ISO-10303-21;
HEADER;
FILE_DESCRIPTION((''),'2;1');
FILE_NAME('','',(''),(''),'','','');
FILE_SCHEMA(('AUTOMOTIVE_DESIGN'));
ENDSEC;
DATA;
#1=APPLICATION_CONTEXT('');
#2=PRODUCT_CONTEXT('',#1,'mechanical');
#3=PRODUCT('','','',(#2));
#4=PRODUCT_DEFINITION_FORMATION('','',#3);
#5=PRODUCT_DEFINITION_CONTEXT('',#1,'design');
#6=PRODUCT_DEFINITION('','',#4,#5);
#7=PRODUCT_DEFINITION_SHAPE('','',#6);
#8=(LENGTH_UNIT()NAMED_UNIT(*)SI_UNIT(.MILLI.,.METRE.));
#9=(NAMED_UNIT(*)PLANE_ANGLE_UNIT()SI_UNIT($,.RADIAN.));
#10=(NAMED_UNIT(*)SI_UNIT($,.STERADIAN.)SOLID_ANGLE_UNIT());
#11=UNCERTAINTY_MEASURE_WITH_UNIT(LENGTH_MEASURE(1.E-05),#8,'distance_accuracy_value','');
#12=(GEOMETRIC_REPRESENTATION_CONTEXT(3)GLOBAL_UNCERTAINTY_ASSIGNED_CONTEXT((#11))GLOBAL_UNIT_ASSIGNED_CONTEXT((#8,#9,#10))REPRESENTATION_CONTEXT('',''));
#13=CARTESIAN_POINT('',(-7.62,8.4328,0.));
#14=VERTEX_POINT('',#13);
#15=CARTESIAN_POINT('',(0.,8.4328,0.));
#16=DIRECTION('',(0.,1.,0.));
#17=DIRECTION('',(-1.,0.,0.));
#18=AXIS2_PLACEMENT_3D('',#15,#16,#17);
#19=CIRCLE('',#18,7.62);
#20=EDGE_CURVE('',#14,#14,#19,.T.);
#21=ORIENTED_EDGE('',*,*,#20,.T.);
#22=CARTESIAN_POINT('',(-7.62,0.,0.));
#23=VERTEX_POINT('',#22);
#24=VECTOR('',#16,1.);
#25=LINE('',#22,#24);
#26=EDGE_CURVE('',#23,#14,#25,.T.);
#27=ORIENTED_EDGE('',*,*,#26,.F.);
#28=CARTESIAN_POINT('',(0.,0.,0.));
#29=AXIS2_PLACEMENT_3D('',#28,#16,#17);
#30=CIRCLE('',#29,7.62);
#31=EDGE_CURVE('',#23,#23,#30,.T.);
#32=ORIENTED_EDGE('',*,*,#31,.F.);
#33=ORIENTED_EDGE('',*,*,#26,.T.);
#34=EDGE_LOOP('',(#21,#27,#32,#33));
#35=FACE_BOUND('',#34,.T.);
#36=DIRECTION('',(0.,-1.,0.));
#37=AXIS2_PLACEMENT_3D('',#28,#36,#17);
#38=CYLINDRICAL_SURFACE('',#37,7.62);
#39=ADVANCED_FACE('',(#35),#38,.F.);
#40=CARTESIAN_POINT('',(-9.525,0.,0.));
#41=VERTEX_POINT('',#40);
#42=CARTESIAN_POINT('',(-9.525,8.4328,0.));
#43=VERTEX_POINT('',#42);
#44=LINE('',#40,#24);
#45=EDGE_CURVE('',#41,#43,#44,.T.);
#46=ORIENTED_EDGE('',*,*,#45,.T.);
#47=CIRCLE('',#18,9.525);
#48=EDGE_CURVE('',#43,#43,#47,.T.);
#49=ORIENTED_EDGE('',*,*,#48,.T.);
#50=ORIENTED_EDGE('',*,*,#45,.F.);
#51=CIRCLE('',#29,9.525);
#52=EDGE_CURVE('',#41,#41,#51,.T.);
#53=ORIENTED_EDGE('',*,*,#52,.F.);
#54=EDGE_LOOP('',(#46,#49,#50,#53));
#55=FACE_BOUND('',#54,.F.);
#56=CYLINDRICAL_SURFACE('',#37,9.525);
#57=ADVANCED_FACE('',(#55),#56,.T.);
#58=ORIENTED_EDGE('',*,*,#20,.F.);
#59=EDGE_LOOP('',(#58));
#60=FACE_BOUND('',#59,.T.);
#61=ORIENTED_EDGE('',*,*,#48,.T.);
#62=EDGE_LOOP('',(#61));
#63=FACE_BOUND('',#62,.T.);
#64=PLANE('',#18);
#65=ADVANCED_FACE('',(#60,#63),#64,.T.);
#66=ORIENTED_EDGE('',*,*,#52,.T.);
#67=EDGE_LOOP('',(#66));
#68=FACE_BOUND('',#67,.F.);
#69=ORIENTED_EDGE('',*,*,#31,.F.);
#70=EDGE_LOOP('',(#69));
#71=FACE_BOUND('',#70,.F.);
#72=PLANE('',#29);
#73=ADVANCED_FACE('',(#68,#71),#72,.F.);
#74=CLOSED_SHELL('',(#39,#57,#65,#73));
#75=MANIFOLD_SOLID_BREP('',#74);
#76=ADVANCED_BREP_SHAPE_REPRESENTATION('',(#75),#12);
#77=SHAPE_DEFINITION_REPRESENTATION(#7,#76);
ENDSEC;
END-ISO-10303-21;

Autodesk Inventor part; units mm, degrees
ref_plane "YZ Plane" through (0, 0, 0) normal (1, 0, 0) x (0, 1, 0)
ref_plane "XZ Plane" through (0, 0, 0) normal (0, 1, 0) x (-1, 0, 0)
ref_plane "XY Plane" through (0, 0, 0) normal (0, 0, 1) x (1, 0, 0)
sketch "Sketch1" plane through (0, 0, 0) normal (0, 1, 0) x (-1, 0, 0)
  circle A0 centre (0, 0) radius 7.62
  circle A1 centre (0, 0) radius 9.525
  dimension "d0" = 15.24
  dimension "d1" = 19.05
extrude "Extrusion1" add sketch "Sketch1" along normal blind 8.4328
properties part number "SHOT_1_010_Spacer1" material "Aluminum 6061"
